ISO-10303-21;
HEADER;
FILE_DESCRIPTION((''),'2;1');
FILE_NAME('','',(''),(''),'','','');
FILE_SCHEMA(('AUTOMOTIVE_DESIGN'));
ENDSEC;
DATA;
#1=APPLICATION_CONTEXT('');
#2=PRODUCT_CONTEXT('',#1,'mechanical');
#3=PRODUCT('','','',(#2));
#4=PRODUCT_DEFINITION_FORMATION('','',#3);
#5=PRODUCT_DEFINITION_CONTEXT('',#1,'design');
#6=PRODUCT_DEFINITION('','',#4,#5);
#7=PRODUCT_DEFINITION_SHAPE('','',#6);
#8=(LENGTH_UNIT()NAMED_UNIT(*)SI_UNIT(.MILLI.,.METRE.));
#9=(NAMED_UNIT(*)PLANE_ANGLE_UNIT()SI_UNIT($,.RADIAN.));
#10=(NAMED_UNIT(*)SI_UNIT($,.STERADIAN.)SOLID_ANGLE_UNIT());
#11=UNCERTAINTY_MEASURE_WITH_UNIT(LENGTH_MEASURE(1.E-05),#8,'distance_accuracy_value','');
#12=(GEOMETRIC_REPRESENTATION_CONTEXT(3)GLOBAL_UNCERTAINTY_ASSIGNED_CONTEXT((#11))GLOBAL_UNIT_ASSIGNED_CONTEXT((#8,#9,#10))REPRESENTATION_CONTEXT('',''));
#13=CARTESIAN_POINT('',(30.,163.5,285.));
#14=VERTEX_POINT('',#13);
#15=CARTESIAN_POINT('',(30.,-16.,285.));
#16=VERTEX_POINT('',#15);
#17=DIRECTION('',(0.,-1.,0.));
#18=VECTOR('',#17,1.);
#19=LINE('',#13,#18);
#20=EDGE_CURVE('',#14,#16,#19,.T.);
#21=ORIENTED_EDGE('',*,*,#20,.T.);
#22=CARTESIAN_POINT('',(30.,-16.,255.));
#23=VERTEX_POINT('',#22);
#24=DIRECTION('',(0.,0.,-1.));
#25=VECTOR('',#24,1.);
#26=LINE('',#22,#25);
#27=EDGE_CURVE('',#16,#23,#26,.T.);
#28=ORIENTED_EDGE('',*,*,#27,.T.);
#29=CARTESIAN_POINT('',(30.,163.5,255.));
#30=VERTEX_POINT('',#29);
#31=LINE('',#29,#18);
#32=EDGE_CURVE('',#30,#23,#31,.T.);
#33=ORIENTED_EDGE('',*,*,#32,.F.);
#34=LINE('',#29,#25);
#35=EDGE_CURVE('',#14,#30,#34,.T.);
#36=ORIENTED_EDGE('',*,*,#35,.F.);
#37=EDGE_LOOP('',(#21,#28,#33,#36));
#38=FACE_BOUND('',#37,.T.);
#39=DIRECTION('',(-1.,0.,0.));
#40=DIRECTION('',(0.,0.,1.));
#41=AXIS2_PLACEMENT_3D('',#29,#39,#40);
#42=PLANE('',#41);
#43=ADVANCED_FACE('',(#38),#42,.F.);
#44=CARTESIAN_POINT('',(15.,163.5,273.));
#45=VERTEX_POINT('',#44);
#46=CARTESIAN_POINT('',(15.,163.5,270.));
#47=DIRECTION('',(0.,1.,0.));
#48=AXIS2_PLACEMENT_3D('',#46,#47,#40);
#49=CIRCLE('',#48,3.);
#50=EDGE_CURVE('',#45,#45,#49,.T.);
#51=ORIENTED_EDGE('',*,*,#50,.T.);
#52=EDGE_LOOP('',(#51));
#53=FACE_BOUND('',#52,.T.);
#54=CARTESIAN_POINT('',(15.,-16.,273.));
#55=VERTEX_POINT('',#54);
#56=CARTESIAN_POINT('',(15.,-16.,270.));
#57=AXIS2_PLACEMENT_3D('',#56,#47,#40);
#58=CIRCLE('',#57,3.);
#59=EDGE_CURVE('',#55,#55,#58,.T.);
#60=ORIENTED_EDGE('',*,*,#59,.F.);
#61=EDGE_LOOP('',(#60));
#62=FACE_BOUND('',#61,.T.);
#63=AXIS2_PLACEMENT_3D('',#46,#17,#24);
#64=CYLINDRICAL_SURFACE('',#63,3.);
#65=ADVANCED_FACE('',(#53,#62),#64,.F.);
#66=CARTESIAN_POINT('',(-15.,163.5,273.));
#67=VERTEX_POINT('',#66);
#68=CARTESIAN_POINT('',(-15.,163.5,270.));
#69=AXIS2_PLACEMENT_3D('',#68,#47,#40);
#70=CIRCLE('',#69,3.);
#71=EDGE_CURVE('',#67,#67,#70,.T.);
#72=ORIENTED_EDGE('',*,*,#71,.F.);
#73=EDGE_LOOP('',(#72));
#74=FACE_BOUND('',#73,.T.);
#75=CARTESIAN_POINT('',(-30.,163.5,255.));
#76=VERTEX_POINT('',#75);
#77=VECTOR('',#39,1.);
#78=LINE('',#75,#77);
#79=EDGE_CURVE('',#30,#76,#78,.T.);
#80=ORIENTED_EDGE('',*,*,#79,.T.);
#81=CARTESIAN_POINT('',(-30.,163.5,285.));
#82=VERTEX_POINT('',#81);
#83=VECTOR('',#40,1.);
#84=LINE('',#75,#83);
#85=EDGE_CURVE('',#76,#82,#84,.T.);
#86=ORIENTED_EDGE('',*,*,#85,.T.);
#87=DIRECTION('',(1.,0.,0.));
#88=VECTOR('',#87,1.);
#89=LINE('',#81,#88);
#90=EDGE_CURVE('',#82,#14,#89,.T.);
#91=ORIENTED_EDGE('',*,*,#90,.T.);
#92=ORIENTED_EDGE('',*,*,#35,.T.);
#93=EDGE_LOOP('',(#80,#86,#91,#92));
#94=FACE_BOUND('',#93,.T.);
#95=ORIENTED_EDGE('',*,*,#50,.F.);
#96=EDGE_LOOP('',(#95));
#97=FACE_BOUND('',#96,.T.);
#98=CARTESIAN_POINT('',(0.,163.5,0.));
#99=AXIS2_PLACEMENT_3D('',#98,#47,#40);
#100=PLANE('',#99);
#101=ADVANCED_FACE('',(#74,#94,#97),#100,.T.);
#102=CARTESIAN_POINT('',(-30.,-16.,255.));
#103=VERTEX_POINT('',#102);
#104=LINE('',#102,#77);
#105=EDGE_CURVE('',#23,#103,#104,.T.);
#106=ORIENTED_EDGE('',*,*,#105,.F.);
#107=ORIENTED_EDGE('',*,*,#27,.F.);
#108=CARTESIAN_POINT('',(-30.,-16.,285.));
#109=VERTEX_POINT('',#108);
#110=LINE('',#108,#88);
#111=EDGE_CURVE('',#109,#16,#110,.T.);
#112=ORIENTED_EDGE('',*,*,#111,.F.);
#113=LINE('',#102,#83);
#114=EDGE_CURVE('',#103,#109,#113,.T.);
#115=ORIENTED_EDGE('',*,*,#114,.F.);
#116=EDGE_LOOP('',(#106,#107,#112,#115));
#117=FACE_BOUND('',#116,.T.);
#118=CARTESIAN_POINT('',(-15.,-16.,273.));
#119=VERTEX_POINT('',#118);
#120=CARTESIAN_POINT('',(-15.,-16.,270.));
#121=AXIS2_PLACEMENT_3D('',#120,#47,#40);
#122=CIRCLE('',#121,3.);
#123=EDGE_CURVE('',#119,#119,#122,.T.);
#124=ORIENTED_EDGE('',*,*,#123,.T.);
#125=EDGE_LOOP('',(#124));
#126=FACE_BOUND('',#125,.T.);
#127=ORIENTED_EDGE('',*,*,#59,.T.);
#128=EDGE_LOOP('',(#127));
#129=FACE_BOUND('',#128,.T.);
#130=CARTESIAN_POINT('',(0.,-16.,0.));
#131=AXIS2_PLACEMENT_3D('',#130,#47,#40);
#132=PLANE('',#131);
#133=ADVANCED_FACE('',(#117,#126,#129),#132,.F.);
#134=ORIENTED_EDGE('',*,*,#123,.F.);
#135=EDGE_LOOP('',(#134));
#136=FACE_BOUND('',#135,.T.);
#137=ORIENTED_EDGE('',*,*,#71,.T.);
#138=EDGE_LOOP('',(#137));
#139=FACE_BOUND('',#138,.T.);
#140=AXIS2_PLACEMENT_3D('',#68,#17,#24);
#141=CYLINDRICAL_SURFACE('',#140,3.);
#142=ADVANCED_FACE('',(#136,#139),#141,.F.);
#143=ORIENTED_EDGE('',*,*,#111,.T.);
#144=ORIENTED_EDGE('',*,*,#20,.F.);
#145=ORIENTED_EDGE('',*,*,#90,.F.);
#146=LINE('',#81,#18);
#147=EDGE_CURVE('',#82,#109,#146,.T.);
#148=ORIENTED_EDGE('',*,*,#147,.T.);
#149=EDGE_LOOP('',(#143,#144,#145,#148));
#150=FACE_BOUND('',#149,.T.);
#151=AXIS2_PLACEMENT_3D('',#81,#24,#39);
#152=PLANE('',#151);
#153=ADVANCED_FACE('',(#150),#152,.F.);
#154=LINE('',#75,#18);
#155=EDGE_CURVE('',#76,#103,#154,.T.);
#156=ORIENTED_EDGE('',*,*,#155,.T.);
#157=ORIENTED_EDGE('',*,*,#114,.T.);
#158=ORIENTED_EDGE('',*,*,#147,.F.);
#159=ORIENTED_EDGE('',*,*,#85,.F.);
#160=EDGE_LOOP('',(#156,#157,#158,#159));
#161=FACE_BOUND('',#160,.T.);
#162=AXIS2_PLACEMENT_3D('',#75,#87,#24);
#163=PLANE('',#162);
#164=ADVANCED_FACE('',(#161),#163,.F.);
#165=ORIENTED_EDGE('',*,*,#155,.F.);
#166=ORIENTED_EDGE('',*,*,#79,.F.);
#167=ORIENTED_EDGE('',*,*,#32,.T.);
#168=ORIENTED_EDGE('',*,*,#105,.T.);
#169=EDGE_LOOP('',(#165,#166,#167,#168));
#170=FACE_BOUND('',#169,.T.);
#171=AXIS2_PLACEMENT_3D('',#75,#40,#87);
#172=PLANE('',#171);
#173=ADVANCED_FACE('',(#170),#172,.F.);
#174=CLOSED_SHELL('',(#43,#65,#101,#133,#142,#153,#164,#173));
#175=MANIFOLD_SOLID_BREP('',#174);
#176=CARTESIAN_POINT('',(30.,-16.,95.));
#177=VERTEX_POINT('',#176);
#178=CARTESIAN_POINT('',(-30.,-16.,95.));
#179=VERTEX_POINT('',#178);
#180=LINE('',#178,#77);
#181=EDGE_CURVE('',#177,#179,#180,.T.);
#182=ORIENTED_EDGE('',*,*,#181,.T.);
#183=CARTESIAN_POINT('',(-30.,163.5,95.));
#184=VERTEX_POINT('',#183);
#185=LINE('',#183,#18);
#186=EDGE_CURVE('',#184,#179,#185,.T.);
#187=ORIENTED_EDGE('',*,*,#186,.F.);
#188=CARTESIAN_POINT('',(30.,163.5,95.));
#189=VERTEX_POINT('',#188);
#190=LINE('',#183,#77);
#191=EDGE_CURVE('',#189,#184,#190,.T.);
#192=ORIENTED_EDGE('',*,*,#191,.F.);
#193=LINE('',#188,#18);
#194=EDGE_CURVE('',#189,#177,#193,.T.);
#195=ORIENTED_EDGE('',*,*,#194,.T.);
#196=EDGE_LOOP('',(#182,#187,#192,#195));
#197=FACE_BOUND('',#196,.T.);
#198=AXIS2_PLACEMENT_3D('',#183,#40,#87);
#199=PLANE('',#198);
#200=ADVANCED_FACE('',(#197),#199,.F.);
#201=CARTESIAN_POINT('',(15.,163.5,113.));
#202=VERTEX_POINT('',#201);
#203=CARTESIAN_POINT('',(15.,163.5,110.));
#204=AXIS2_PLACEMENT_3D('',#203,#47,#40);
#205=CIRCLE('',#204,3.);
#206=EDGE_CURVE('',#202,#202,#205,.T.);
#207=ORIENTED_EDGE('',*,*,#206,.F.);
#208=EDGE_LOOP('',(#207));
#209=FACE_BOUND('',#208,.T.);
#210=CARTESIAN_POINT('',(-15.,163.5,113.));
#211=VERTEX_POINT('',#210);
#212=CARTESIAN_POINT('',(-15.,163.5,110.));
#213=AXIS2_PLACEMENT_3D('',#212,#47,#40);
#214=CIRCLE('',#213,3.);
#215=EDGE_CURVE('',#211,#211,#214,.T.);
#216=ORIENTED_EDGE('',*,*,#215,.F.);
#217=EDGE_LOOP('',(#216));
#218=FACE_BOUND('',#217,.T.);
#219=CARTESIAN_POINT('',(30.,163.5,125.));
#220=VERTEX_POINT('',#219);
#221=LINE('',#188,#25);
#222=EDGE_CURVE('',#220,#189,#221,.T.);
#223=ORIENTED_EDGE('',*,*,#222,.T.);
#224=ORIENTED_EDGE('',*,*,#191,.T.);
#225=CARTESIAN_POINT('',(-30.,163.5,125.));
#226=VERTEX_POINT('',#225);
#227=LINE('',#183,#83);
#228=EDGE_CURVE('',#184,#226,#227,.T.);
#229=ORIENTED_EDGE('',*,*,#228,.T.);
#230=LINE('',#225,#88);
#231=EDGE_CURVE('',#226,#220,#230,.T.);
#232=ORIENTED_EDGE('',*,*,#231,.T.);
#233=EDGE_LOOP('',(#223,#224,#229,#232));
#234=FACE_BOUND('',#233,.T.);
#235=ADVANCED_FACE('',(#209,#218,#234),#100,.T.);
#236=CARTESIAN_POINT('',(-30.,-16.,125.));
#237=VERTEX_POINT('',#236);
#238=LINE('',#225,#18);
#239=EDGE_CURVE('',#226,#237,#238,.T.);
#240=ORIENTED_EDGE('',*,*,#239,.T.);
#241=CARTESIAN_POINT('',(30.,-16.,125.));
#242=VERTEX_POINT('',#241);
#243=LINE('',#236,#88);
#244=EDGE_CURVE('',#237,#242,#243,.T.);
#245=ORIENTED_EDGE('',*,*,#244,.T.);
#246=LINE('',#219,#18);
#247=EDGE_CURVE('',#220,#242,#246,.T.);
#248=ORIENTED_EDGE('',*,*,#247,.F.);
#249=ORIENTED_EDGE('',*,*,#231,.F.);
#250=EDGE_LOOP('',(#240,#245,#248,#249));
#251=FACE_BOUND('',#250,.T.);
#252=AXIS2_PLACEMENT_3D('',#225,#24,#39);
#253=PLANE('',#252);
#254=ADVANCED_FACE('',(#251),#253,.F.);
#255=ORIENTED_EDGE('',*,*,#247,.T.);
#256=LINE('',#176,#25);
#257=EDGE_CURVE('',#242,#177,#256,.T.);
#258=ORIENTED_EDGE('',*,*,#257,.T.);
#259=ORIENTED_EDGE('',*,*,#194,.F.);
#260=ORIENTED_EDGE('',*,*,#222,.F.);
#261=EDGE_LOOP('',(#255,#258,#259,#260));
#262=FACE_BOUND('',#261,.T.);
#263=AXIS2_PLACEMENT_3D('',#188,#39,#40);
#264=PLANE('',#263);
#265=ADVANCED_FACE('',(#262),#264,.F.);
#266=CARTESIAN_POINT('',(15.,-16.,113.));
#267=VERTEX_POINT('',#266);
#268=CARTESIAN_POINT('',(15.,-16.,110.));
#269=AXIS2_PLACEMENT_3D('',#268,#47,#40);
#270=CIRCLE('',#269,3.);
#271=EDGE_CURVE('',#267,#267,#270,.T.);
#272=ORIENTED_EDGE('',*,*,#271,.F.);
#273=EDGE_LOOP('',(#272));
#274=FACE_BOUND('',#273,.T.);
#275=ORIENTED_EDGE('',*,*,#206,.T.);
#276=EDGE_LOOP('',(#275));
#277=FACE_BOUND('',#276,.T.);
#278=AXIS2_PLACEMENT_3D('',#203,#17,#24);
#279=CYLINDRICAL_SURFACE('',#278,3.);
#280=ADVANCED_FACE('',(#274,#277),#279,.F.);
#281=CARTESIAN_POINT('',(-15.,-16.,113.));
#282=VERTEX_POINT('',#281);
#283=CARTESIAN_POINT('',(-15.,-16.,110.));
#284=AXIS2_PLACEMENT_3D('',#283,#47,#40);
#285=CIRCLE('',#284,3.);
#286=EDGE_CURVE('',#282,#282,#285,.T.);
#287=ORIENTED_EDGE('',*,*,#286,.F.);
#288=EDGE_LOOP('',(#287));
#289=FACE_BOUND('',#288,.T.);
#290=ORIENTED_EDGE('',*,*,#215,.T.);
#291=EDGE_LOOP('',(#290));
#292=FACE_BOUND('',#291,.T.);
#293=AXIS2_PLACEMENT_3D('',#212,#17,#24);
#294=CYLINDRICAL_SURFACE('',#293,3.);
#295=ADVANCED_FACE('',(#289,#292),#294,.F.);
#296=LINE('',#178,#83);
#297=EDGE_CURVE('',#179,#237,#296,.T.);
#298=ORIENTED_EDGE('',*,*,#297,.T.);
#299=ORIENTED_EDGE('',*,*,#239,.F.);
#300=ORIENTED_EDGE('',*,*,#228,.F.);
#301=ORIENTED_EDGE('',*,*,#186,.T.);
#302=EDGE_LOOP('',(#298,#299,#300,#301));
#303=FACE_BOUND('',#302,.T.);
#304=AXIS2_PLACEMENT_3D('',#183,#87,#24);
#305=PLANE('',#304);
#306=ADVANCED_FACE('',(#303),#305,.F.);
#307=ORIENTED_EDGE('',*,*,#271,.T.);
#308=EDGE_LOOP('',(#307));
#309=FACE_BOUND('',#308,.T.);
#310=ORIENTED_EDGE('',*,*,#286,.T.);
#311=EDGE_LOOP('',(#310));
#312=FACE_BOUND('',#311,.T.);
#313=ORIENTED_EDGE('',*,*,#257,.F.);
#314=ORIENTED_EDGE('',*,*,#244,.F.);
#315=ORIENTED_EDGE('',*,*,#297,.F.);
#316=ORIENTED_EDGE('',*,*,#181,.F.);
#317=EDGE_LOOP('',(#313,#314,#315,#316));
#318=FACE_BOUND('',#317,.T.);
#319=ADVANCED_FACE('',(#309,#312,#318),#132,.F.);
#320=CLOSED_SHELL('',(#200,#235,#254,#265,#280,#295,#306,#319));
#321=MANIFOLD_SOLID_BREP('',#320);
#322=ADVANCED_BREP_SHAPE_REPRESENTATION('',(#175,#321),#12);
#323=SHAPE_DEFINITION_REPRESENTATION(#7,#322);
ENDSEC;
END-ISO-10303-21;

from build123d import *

# Parameters (mm, degrees)
SKIZZE4_W                              = 60
SKIZZE4_H                              = 30
SKIZZE4_R                              = 3
AUFSATZ_LINEAR_AUSTRAGEN1_DEPTH        = 163.5
AUFSATZ_LINEAR_AUSTRAGEN1_DEPTH_BACK   = 16
AUFSATZ_LINEAR_AUSTRAGEN1_2_DEPTH      = 163.5
AUFSATZ_LINEAR_AUSTRAGEN1_2_DEPTH_BACK = 16


with BuildPart() as part:
    # Skizze4 → Aufsatz-Linear austragen1 (new body, two sides)
    with BuildSketch(Plane(origin=(0, 0, 0), x_dir=(1, 0, 0), z_dir=(0, 1, 0))) as aufsatz_linear_austragen1_sk:
        with Locations((0, -110)):
            Rectangle(SKIZZE4_W, SKIZZE4_H)
        with Locations((-15, -110)):
            Circle(SKIZZE4_R, mode=Mode.SUBTRACT)
        with Locations((15, -110)):
            Circle(SKIZZE4_R, mode=Mode.SUBTRACT)
    extrude(amount=AUFSATZ_LINEAR_AUSTRAGEN1_DEPTH)
    extrude(aufsatz_linear_austragen1_sk.sketch, amount=-AUFSATZ_LINEAR_AUSTRAGEN1_DEPTH_BACK)


with BuildPart() as body_2:
    # Skizze4 → Aufsatz-Linear austragen1 2 (new body, two sides)
    with BuildSketch(Plane(origin=(0, 0, 0), x_dir=(1, 0, 0), z_dir=(0, 1, 0))) as aufsatz_linear_austragen1_2_sk:
        with Locations((0, -270)):
            Rectangle(SKIZZE4_W, SKIZZE4_H)
        with Locations((15, -270)):
            Circle(SKIZZE4_R, mode=Mode.SUBTRACT)
        with Locations((-15, -270)):
            Circle(SKIZZE4_R, mode=Mode.SUBTRACT)
    extrude(amount=AUFSATZ_LINEAR_AUSTRAGEN1_2_DEPTH)
    extrude(aufsatz_linear_austragen1_2_sk.sketch, amount=-AUFSATZ_LINEAR_AUSTRAGEN1_2_DEPTH_BACK)


solid = Compound([part.part, body_2.part])
